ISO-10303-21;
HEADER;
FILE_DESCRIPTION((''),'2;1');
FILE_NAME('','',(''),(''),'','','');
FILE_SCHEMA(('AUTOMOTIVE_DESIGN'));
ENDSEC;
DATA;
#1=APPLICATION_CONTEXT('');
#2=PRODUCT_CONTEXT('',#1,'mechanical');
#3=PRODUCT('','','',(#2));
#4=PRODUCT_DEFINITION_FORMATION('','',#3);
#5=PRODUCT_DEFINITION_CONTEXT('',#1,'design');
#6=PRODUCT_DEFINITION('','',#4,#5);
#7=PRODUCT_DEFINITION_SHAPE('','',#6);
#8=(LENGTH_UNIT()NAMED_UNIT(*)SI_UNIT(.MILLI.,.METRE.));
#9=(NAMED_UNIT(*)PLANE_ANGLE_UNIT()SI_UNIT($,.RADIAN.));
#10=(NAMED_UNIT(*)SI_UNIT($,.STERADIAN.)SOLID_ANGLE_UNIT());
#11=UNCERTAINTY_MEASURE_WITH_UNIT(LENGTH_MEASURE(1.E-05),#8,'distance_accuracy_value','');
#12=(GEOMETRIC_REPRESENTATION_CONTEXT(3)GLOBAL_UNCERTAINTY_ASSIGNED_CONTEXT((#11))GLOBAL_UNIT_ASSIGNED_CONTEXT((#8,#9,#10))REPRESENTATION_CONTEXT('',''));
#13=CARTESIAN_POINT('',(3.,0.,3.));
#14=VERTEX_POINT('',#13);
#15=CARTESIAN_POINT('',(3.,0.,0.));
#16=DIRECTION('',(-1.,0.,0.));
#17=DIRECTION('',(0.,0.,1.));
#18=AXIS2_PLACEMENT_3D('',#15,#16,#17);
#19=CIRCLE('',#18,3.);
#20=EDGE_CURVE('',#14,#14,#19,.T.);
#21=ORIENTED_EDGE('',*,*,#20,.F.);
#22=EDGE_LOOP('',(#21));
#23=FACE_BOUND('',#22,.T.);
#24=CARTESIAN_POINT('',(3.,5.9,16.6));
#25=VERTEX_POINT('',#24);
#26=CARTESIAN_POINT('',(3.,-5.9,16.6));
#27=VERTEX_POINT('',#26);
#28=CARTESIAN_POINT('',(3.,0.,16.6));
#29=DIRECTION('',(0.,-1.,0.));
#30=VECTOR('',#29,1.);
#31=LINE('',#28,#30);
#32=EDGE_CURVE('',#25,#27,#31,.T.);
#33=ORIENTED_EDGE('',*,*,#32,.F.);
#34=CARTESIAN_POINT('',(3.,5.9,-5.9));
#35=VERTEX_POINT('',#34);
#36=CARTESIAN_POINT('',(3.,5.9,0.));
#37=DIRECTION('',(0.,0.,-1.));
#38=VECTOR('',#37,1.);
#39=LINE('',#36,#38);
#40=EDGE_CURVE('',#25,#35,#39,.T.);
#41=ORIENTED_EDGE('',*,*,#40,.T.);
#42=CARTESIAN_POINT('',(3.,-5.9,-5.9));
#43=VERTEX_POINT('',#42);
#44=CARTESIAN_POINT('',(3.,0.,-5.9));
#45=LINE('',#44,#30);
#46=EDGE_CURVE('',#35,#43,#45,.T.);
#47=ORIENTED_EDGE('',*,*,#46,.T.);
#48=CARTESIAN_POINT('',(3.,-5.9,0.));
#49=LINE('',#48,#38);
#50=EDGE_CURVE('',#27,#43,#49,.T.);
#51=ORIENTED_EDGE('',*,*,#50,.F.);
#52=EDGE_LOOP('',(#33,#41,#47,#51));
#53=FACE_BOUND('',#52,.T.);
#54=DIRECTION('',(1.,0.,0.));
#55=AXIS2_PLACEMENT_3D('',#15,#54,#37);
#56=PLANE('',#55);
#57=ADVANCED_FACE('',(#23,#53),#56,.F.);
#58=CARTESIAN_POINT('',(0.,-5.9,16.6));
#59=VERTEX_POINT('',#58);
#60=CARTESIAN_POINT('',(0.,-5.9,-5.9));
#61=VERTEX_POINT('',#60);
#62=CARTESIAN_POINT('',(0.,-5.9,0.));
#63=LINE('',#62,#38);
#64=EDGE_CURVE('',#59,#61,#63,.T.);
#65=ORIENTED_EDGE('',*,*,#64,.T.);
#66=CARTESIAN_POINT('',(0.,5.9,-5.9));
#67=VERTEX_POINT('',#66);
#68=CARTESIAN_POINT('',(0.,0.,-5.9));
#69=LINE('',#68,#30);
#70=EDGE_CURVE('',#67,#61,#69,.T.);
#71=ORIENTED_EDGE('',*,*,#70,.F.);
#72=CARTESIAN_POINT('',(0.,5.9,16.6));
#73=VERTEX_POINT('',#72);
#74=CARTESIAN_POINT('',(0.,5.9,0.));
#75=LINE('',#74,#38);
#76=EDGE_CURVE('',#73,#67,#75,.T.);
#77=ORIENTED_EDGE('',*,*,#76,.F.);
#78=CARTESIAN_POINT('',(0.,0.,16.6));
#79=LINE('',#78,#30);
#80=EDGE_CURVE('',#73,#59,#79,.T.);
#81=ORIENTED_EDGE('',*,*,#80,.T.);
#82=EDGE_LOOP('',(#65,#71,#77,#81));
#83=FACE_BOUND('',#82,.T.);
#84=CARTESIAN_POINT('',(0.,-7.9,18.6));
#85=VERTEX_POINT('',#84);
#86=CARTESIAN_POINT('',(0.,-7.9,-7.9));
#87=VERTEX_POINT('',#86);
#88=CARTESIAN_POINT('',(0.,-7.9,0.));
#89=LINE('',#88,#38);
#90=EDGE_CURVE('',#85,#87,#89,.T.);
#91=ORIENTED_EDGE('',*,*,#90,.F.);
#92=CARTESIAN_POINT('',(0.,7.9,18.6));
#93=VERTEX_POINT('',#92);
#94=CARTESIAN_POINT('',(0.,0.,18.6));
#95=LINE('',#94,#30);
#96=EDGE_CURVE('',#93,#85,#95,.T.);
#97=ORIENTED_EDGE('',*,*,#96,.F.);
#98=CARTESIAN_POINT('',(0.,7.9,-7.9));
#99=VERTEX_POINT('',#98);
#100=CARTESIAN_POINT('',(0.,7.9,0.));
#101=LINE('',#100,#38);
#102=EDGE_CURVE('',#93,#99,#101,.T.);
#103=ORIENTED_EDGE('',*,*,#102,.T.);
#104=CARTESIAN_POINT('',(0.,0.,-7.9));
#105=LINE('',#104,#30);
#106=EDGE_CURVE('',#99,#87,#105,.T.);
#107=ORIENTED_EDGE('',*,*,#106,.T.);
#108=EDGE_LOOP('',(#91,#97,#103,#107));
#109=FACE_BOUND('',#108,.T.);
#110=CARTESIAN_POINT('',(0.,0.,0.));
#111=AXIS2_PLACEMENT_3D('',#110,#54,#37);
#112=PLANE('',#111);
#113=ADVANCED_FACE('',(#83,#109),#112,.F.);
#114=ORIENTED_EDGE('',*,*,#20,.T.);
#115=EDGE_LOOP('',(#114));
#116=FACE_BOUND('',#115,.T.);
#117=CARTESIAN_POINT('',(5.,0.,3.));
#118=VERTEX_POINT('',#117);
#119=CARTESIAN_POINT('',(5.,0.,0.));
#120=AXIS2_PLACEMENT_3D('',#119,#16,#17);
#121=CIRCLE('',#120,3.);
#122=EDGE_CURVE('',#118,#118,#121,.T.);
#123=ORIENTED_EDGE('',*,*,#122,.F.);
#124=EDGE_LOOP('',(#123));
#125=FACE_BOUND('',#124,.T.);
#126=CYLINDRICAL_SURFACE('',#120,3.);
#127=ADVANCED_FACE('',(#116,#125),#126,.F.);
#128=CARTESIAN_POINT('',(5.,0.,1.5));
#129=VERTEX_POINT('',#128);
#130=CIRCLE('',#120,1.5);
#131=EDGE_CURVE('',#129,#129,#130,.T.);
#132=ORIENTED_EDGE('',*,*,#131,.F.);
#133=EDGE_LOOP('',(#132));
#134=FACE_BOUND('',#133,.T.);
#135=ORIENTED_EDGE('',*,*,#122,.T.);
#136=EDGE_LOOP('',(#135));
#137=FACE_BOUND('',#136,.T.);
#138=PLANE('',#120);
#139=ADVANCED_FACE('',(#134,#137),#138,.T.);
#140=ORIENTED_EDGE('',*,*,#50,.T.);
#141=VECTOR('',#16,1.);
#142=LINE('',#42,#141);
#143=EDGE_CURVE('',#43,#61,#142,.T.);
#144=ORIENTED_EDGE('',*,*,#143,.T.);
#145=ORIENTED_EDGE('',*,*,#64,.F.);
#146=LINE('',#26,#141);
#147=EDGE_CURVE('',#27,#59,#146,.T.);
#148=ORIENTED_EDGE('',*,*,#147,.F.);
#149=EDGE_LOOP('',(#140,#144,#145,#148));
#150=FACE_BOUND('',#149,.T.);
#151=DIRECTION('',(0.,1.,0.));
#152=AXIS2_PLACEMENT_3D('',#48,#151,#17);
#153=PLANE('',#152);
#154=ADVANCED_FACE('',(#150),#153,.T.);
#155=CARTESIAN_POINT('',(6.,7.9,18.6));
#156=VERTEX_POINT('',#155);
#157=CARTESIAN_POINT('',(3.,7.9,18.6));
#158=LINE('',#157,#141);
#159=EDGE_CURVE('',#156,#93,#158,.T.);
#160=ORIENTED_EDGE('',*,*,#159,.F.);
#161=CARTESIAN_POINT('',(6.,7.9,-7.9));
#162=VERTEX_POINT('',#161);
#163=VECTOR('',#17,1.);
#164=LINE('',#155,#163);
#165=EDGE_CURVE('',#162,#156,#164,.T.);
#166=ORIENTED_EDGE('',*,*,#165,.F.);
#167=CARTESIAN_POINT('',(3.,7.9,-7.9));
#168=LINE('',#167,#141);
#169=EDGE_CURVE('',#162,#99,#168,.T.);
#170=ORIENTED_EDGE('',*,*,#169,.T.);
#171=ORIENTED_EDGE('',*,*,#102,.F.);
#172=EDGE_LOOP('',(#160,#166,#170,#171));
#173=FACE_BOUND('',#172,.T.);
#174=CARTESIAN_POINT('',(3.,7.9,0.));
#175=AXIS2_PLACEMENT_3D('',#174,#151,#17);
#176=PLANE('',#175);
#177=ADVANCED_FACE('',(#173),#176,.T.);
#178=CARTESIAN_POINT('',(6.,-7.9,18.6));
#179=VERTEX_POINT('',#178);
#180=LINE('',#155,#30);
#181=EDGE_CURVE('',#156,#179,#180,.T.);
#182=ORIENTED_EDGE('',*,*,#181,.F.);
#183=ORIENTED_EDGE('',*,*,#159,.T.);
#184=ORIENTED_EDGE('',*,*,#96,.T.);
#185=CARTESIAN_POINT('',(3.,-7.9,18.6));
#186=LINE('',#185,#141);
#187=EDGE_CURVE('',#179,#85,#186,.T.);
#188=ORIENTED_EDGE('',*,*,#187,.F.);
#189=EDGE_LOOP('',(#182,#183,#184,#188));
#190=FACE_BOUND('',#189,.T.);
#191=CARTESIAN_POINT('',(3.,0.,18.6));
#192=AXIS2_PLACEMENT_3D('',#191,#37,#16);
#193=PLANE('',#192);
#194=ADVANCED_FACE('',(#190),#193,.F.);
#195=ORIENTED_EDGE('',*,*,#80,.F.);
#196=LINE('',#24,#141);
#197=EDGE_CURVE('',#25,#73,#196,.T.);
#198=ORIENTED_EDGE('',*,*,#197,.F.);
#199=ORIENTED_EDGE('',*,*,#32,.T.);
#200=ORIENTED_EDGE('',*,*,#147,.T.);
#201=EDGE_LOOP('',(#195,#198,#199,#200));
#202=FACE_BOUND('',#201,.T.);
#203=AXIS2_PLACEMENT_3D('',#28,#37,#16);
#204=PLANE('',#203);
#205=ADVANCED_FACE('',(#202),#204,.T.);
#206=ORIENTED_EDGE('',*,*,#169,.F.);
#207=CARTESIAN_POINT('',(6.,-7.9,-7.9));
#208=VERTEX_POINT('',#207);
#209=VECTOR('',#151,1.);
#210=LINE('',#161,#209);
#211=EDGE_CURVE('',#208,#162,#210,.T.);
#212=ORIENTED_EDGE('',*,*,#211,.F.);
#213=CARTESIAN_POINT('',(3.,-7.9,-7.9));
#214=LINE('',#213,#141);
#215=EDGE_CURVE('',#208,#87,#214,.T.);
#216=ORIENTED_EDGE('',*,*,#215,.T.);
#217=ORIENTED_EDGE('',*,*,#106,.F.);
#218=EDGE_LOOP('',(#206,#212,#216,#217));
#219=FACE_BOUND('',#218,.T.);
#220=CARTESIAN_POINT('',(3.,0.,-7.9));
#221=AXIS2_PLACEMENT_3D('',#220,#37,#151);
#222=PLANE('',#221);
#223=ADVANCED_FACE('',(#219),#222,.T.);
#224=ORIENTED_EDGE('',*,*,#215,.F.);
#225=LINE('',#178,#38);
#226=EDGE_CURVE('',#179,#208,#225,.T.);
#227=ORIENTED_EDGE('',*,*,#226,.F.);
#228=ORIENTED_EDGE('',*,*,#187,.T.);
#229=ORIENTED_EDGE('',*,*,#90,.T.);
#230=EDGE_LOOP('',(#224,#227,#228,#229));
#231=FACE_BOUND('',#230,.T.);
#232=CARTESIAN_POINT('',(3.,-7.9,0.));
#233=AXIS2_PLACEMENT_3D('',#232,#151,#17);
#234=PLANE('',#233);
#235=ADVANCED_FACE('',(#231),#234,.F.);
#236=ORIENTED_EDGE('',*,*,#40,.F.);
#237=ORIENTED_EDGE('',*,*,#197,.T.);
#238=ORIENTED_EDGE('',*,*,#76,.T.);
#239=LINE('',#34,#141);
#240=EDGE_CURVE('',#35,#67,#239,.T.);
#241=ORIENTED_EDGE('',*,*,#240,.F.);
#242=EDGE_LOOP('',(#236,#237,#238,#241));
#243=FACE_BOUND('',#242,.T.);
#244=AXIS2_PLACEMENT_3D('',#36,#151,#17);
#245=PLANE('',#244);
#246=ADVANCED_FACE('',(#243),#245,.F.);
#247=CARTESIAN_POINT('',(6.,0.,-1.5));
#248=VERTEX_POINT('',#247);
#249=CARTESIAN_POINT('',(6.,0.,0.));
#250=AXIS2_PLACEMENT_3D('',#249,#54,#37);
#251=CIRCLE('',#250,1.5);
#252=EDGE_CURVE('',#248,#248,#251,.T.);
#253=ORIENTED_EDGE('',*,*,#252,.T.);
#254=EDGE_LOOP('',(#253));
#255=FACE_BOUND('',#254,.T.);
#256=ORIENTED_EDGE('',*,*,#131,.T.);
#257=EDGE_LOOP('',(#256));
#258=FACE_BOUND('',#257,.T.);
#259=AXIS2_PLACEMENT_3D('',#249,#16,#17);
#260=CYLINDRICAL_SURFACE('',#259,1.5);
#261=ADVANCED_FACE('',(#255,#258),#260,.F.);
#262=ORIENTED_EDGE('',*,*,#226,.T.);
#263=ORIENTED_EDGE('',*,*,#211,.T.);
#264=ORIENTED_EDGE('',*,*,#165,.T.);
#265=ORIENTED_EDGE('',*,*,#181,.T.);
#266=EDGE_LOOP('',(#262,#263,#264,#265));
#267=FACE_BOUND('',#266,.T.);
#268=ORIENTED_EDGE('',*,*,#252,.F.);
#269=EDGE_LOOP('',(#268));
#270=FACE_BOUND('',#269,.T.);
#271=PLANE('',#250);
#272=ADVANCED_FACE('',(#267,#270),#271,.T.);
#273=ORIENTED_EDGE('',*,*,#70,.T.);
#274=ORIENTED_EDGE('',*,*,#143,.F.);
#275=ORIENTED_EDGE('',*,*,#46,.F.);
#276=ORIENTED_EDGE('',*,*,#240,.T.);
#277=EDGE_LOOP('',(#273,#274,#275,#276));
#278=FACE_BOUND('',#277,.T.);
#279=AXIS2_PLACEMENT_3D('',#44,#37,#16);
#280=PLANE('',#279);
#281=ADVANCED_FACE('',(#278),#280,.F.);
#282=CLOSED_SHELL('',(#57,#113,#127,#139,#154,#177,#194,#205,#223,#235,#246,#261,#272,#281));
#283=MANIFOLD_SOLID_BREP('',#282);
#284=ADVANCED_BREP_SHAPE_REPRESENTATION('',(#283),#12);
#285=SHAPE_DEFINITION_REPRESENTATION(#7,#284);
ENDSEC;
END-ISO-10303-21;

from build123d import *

# Parameters (mm, degrees)
SKETCH1_W           = 26.5
SKETCH1_H           = 15.8
SKETCH1_W_2         = 22.5
SKETCH1_H_2         = 11.8
BOSS_EXTRUDE1_DEPTH = 3
SKETCH2_W           = 26.5
SKETCH2_H           = 15.8
SKETCH2_R           = 1.5
BOSS_EXTRUDE2_DEPTH = 3
SKETCH3_R           = 3
CUT_EXTRUDE1_DEPTH  = 2


with BuildPart() as part:
    # Sketch1 → Boss-Extrude1 (new body)
    with BuildSketch(Plane(origin=(0, 0, 0), x_dir=(0, 0, -1), z_dir=(1, 0, 0))):
        with Locations((-5.35, 0)):
            Rectangle(SKETCH1_W, SKETCH1_H)
        with Locations((-5.35, 0)):
            Rectangle(SKETCH1_W_2, SKETCH1_H_2, mode=Mode.SUBTRACT)
    extrude(amount=BOSS_EXTRUDE1_DEPTH)

    # Sketch2 → Boss-Extrude2 (add)
    with BuildSketch(Plane(origin=(3, 0, 0), x_dir=(0, 0, -1), z_dir=(1, 0, 0))):
        with Locations((-5.35, 0)):
            Rectangle(SKETCH2_W, SKETCH2_H)
        Circle(SKETCH2_R, mode=Mode.SUBTRACT)
    extrude(amount=BOSS_EXTRUDE2_DEPTH)

    # Sketch3 → Cut-Extrude1 (cut)
    with BuildSketch(Plane.ZY.offset(-3)):
        Circle(SKETCH3_R)
    extrude(amount=-CUT_EXTRUDE1_DEPTH, mode=Mode.SUBTRACT)


solid = part.part
